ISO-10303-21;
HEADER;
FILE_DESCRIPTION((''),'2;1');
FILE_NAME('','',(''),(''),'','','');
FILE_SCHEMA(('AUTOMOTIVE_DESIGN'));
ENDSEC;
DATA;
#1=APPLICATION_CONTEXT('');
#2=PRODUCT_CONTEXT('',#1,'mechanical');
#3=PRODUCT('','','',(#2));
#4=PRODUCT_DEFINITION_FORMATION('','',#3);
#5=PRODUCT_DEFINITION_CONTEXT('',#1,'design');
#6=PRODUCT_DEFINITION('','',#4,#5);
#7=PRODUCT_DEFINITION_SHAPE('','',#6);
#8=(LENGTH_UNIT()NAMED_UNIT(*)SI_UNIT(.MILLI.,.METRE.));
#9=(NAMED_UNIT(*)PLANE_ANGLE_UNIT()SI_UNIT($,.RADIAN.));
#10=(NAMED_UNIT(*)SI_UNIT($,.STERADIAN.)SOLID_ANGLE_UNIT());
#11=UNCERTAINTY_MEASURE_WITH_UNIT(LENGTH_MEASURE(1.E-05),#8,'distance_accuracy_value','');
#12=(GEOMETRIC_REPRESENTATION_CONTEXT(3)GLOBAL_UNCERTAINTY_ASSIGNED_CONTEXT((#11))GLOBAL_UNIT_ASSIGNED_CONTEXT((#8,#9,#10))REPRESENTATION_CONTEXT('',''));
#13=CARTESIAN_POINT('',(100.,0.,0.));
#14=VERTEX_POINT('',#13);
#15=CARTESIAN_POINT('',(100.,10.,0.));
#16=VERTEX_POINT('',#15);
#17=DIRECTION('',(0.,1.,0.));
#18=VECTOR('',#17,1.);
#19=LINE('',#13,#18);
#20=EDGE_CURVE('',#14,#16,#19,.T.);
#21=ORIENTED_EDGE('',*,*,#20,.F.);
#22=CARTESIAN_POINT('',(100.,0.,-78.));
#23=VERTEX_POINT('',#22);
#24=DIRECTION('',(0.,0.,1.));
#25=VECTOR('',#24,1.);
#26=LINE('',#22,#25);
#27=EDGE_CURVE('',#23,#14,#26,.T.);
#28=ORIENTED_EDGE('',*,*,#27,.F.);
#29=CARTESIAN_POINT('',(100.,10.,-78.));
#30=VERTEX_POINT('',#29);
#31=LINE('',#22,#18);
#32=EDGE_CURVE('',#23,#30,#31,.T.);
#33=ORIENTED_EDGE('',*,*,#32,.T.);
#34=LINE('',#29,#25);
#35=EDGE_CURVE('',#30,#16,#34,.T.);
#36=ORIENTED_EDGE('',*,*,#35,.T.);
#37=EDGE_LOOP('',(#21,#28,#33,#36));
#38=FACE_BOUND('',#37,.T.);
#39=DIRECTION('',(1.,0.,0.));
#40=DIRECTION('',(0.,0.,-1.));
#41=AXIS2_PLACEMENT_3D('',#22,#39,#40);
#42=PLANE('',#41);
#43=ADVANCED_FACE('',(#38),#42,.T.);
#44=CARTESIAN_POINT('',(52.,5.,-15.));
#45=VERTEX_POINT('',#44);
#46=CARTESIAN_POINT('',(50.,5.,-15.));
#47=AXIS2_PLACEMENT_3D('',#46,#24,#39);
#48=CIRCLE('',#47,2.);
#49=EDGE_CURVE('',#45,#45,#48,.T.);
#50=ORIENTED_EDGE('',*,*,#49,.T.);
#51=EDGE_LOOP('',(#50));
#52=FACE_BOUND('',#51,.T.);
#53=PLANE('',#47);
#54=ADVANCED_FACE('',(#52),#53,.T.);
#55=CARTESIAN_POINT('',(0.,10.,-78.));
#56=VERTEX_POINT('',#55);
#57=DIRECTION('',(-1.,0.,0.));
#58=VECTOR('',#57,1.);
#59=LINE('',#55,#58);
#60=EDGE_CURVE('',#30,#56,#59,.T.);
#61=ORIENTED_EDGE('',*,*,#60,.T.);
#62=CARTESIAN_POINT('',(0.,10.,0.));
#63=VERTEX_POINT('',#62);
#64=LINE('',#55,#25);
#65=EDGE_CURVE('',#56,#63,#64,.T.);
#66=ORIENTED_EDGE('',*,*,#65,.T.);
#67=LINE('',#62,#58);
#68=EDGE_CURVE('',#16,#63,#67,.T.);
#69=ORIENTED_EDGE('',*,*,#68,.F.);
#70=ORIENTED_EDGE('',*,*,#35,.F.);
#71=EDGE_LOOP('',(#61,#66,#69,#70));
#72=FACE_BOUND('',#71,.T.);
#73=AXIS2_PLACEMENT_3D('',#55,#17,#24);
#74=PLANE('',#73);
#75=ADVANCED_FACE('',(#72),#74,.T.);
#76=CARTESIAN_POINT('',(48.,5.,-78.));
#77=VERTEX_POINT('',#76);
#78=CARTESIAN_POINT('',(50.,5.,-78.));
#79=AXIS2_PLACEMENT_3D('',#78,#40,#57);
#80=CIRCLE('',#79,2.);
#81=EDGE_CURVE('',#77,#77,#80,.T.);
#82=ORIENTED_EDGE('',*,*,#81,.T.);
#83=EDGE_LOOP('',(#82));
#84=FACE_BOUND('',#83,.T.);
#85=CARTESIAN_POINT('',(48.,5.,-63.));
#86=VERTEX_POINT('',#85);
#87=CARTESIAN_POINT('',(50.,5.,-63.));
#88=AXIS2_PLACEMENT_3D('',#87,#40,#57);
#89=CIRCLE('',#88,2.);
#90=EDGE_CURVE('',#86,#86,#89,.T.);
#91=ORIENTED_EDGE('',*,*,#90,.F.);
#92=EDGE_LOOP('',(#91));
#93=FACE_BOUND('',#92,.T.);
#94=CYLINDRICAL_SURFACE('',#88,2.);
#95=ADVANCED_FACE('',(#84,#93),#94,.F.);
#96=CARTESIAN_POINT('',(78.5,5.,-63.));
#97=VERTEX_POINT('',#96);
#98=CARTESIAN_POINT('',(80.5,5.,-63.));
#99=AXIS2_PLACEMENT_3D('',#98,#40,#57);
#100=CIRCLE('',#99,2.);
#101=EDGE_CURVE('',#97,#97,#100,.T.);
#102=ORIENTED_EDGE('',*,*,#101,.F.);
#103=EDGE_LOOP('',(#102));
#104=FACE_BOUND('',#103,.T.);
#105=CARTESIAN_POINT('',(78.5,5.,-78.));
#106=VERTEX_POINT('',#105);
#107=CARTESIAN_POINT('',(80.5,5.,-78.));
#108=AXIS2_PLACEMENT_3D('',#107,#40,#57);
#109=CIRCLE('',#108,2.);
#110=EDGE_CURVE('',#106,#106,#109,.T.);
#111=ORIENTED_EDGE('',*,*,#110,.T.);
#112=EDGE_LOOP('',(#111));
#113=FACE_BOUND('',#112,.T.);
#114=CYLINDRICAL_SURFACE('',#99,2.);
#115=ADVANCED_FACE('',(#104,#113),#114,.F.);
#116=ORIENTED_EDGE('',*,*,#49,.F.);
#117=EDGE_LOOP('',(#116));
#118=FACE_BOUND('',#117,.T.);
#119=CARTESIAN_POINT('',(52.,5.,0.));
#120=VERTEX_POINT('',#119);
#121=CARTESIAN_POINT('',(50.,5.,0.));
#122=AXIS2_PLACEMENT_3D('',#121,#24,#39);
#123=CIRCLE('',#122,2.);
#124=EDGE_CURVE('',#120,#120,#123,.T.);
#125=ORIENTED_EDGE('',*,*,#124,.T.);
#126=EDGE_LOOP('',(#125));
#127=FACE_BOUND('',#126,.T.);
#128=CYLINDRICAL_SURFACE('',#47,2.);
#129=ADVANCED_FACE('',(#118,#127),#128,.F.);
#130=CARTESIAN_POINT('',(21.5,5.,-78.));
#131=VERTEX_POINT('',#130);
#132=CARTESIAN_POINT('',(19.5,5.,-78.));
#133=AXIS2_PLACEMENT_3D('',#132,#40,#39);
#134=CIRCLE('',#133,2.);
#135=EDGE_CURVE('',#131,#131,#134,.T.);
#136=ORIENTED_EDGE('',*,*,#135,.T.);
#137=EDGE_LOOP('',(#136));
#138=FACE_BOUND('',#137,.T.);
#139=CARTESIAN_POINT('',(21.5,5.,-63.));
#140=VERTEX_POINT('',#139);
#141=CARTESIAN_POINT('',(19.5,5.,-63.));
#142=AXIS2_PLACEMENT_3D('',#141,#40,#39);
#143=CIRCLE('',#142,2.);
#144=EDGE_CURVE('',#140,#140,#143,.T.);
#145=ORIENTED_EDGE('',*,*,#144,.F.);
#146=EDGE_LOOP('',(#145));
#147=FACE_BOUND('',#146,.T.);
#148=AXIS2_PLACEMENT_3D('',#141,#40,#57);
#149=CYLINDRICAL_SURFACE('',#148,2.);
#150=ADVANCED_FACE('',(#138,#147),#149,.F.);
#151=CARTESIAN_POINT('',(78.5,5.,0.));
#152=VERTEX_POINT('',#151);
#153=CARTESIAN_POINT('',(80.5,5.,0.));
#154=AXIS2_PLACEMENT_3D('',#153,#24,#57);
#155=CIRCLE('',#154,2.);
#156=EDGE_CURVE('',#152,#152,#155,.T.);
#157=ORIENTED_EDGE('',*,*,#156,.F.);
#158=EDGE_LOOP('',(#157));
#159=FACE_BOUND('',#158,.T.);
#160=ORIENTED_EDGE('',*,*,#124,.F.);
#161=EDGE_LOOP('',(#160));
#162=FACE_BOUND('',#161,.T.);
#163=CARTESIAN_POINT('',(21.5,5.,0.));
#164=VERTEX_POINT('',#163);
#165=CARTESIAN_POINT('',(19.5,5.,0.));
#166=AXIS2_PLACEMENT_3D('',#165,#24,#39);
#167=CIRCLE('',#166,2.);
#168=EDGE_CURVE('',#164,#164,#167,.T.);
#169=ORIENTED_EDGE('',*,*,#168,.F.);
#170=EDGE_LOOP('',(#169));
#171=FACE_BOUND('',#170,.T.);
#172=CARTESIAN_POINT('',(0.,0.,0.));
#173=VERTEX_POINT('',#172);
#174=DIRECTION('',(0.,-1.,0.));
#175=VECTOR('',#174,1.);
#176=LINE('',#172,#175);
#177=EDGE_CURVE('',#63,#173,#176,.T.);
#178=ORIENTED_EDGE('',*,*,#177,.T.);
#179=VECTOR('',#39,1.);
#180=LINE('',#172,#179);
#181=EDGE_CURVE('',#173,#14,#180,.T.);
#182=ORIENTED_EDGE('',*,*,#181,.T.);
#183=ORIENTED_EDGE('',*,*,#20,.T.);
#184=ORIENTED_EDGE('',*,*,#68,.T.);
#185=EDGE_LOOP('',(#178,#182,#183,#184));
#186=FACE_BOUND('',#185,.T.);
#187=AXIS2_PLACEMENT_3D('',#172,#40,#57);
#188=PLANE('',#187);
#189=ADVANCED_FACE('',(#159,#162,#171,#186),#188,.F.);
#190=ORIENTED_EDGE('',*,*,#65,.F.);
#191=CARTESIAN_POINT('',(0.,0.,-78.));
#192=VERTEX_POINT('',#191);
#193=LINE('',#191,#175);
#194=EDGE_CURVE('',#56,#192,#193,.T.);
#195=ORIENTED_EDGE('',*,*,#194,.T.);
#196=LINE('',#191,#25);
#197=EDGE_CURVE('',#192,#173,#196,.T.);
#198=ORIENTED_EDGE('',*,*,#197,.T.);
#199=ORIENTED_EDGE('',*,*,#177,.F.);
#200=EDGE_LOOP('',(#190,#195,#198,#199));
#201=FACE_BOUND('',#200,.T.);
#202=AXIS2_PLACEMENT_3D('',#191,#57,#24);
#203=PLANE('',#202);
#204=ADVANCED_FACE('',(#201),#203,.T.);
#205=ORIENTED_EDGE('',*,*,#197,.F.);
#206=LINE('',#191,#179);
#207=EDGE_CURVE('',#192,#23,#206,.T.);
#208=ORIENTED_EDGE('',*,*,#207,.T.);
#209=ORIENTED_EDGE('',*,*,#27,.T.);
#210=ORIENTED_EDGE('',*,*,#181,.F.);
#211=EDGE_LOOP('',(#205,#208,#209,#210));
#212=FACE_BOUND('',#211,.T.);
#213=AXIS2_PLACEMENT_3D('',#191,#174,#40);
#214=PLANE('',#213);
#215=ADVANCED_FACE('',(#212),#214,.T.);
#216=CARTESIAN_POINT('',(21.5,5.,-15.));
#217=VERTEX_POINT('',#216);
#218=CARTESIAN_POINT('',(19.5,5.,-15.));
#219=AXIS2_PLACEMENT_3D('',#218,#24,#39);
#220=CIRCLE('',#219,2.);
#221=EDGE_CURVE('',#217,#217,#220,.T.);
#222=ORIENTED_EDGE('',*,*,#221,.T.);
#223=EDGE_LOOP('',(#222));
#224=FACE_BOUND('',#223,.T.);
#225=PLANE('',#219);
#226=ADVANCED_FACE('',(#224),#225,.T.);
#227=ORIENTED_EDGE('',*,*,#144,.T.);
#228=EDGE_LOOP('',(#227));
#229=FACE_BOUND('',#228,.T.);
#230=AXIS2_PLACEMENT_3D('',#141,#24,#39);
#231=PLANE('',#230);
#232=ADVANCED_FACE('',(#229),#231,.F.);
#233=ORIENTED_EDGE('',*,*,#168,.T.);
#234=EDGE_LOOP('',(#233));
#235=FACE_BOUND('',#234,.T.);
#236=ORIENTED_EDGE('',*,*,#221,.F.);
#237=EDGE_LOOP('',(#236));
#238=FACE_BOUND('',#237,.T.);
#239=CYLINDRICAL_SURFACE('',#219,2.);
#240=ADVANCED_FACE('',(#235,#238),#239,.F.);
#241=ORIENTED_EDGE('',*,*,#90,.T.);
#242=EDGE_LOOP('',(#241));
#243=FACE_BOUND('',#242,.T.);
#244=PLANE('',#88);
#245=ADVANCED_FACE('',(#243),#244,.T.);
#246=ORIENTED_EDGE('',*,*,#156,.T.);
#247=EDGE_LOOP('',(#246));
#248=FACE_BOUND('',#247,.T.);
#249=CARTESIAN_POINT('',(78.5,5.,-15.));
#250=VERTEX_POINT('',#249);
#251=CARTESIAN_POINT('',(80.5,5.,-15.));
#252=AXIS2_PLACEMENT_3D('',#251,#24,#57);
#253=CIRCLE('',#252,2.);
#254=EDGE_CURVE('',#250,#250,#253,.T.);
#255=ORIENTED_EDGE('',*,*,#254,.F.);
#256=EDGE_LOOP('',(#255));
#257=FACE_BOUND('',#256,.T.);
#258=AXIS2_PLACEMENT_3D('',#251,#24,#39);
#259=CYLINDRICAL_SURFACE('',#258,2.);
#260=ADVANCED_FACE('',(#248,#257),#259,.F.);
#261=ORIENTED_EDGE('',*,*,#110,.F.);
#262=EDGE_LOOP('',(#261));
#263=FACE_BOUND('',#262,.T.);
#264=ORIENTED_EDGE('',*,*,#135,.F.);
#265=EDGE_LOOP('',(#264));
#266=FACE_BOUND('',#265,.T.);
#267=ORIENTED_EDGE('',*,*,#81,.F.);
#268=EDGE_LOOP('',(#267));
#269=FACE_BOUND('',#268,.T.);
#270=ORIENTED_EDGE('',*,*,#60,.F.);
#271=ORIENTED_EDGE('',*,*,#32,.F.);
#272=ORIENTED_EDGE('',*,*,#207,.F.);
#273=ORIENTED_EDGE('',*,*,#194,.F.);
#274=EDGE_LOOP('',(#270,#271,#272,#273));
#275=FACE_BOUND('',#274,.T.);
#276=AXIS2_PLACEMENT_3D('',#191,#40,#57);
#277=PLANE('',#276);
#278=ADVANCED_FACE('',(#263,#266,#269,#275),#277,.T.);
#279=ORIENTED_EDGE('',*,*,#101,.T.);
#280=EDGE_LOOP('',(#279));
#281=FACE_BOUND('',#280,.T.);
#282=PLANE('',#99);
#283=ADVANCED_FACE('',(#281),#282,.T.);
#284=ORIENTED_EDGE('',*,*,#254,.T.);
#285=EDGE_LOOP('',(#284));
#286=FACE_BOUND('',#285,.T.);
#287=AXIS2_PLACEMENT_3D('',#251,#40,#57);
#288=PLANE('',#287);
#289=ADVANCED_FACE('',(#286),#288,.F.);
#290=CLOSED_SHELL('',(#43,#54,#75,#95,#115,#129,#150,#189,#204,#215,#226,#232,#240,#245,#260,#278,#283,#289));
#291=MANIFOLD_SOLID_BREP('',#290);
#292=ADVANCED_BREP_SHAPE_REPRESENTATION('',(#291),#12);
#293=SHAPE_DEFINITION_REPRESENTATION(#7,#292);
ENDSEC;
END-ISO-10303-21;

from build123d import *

# Parameters (mm, degrees)
SCHIZZO2_W                   = 100
SCHIZZO2_H                   = 10
ESTRUSIONE_ESTRUSIONE1_DEPTH = 78
SCHIZZO3_R                   = 2
TAGLIO_ESTRUSIONE1_DEPTH     = 15
TAGLIO_ESTRUSIONE2_START     = -15
SCHIZZO4_R                   = 2
TAGLIO_ESTRUSIONE2_DEPTH     = 15


with BuildPart() as part:
    # Schizzo2 → Estrusione-Estrusione1 (new body)
    with BuildSketch(Plane.XY):
        with Locations((50, 5)):
            Rectangle(SCHIZZO2_W, SCHIZZO2_H)
    extrude(amount=-ESTRUSIONE_ESTRUSIONE1_DEPTH)

    # Schizzo3 → Taglio-Estrusione1 (cut)
    with BuildSketch(Plane.XY):
        with Locations((19.5, 5)):
            Circle(SCHIZZO3_R)
        with Locations((50, 5)):
            Circle(SCHIZZO3_R)
        with Locations(Location((80.5, 5, 0), (0, 0, 180))):
            Circle(SCHIZZO3_R)
    extrude(amount=-TAGLIO_ESTRUSIONE1_DEPTH, mode=Mode.SUBTRACT)

    # Schizzo4 → Taglio-Estrusione2 (cut)
    with BuildSketch(Plane(origin=(0, 0, -78), x_dir=(-1, 0, 0), z_dir=(0, 0, -1)).offset(TAGLIO_ESTRUSIONE2_START)):
        with Locations((-80.5, 5)):
            Circle(SCHIZZO4_R)
        with Locations(Location((-50, 5, 0), (0, 0, 180))):
            Circle(SCHIZZO4_R)
        with Locations(Location((-19.5, 5, 0), (0, 0, 180))):
            Circle(SCHIZZO4_R)
    extrude(amount=TAGLIO_ESTRUSIONE2_DEPTH, mode=Mode.SUBTRACT)


solid = part.part
